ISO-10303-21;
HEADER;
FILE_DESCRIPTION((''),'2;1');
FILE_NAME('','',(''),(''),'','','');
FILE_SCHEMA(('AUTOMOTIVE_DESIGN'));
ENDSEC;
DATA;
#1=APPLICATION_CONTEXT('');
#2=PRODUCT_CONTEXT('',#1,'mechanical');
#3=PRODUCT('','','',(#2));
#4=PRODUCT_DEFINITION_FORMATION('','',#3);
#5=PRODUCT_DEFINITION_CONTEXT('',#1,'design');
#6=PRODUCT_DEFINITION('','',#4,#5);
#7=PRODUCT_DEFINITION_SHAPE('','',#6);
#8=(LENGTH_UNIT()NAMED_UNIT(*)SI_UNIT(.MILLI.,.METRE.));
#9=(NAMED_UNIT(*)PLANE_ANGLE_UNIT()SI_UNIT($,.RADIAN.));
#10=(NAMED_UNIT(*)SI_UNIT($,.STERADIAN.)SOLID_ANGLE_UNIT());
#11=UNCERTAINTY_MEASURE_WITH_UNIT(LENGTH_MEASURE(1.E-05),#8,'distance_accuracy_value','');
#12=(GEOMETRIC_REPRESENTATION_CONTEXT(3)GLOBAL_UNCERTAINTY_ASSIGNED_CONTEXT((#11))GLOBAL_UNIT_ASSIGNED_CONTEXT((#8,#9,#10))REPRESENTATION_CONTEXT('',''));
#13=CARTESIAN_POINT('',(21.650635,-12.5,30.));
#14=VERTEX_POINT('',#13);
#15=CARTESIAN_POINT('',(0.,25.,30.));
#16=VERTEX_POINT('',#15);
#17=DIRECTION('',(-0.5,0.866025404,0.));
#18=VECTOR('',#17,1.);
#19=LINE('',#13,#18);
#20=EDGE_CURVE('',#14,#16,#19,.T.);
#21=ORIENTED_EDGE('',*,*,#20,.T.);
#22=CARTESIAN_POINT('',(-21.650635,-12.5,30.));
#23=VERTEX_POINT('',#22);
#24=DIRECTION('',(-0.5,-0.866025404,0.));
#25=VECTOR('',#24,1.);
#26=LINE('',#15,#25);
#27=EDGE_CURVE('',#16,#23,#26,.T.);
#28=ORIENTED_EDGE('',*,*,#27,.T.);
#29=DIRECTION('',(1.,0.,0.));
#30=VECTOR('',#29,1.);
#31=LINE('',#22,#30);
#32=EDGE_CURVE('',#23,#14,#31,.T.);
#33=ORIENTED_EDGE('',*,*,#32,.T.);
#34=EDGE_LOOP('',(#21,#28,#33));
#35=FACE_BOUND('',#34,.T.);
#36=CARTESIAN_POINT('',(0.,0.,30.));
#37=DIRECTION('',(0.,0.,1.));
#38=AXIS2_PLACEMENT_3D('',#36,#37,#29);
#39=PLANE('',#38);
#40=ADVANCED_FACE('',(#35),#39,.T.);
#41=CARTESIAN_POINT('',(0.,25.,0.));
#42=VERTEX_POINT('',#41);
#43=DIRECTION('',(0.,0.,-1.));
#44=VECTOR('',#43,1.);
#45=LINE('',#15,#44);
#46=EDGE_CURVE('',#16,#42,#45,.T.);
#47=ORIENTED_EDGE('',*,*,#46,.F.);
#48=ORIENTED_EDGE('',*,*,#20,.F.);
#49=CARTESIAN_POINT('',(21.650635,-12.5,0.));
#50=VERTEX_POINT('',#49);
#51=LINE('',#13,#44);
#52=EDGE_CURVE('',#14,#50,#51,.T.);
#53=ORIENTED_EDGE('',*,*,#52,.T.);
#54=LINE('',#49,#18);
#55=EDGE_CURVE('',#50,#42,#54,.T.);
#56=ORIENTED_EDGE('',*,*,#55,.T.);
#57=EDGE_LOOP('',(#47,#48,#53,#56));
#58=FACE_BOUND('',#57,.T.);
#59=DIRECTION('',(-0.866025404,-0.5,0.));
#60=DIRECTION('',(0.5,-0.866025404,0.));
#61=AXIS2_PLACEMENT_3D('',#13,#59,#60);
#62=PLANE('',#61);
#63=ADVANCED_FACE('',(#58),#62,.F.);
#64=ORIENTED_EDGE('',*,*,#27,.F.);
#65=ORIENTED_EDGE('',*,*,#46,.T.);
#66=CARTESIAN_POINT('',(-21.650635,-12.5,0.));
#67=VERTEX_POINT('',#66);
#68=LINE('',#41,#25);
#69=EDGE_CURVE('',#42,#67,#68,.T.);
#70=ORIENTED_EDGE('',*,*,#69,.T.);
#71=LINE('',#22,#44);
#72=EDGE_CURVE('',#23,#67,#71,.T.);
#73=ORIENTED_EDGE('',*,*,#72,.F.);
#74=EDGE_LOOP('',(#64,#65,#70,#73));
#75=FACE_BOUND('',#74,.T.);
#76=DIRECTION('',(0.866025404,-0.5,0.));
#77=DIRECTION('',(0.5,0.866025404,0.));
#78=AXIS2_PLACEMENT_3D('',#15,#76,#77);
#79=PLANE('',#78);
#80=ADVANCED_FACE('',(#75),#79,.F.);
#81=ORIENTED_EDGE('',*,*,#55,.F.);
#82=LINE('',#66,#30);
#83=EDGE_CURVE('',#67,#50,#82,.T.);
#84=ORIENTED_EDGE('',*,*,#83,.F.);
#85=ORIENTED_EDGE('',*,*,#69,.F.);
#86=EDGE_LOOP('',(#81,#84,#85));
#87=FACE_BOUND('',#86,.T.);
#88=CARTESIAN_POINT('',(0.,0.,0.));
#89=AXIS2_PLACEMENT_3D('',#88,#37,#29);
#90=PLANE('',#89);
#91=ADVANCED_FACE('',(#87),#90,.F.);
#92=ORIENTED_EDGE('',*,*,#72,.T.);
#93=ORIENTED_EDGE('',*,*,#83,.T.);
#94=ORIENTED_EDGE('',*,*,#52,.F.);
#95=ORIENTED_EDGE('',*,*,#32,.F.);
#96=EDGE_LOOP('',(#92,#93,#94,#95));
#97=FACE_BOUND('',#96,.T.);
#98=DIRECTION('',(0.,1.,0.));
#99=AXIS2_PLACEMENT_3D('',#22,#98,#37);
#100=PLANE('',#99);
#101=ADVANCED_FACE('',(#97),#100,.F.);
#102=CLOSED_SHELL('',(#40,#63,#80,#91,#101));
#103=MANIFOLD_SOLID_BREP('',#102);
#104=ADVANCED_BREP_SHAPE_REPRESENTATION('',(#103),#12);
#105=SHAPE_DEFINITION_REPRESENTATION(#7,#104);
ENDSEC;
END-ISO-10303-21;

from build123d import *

# Parameters (mm, degrees)
ESTRUSIONE_ESTRUSIONE1_DEPTH = 30


with BuildPart() as part:
    # Schizzo1 → Estrusione-Estrusione1 (new body)
    with BuildSketch(Plane.XY):
        Polygon((0, 25), (-21.650635095, -12.5), (21.650635095, -12.5), align=None)
    extrude(amount=ESTRUSIONE_ESTRUSIONE1_DEPTH)


solid = part.part
